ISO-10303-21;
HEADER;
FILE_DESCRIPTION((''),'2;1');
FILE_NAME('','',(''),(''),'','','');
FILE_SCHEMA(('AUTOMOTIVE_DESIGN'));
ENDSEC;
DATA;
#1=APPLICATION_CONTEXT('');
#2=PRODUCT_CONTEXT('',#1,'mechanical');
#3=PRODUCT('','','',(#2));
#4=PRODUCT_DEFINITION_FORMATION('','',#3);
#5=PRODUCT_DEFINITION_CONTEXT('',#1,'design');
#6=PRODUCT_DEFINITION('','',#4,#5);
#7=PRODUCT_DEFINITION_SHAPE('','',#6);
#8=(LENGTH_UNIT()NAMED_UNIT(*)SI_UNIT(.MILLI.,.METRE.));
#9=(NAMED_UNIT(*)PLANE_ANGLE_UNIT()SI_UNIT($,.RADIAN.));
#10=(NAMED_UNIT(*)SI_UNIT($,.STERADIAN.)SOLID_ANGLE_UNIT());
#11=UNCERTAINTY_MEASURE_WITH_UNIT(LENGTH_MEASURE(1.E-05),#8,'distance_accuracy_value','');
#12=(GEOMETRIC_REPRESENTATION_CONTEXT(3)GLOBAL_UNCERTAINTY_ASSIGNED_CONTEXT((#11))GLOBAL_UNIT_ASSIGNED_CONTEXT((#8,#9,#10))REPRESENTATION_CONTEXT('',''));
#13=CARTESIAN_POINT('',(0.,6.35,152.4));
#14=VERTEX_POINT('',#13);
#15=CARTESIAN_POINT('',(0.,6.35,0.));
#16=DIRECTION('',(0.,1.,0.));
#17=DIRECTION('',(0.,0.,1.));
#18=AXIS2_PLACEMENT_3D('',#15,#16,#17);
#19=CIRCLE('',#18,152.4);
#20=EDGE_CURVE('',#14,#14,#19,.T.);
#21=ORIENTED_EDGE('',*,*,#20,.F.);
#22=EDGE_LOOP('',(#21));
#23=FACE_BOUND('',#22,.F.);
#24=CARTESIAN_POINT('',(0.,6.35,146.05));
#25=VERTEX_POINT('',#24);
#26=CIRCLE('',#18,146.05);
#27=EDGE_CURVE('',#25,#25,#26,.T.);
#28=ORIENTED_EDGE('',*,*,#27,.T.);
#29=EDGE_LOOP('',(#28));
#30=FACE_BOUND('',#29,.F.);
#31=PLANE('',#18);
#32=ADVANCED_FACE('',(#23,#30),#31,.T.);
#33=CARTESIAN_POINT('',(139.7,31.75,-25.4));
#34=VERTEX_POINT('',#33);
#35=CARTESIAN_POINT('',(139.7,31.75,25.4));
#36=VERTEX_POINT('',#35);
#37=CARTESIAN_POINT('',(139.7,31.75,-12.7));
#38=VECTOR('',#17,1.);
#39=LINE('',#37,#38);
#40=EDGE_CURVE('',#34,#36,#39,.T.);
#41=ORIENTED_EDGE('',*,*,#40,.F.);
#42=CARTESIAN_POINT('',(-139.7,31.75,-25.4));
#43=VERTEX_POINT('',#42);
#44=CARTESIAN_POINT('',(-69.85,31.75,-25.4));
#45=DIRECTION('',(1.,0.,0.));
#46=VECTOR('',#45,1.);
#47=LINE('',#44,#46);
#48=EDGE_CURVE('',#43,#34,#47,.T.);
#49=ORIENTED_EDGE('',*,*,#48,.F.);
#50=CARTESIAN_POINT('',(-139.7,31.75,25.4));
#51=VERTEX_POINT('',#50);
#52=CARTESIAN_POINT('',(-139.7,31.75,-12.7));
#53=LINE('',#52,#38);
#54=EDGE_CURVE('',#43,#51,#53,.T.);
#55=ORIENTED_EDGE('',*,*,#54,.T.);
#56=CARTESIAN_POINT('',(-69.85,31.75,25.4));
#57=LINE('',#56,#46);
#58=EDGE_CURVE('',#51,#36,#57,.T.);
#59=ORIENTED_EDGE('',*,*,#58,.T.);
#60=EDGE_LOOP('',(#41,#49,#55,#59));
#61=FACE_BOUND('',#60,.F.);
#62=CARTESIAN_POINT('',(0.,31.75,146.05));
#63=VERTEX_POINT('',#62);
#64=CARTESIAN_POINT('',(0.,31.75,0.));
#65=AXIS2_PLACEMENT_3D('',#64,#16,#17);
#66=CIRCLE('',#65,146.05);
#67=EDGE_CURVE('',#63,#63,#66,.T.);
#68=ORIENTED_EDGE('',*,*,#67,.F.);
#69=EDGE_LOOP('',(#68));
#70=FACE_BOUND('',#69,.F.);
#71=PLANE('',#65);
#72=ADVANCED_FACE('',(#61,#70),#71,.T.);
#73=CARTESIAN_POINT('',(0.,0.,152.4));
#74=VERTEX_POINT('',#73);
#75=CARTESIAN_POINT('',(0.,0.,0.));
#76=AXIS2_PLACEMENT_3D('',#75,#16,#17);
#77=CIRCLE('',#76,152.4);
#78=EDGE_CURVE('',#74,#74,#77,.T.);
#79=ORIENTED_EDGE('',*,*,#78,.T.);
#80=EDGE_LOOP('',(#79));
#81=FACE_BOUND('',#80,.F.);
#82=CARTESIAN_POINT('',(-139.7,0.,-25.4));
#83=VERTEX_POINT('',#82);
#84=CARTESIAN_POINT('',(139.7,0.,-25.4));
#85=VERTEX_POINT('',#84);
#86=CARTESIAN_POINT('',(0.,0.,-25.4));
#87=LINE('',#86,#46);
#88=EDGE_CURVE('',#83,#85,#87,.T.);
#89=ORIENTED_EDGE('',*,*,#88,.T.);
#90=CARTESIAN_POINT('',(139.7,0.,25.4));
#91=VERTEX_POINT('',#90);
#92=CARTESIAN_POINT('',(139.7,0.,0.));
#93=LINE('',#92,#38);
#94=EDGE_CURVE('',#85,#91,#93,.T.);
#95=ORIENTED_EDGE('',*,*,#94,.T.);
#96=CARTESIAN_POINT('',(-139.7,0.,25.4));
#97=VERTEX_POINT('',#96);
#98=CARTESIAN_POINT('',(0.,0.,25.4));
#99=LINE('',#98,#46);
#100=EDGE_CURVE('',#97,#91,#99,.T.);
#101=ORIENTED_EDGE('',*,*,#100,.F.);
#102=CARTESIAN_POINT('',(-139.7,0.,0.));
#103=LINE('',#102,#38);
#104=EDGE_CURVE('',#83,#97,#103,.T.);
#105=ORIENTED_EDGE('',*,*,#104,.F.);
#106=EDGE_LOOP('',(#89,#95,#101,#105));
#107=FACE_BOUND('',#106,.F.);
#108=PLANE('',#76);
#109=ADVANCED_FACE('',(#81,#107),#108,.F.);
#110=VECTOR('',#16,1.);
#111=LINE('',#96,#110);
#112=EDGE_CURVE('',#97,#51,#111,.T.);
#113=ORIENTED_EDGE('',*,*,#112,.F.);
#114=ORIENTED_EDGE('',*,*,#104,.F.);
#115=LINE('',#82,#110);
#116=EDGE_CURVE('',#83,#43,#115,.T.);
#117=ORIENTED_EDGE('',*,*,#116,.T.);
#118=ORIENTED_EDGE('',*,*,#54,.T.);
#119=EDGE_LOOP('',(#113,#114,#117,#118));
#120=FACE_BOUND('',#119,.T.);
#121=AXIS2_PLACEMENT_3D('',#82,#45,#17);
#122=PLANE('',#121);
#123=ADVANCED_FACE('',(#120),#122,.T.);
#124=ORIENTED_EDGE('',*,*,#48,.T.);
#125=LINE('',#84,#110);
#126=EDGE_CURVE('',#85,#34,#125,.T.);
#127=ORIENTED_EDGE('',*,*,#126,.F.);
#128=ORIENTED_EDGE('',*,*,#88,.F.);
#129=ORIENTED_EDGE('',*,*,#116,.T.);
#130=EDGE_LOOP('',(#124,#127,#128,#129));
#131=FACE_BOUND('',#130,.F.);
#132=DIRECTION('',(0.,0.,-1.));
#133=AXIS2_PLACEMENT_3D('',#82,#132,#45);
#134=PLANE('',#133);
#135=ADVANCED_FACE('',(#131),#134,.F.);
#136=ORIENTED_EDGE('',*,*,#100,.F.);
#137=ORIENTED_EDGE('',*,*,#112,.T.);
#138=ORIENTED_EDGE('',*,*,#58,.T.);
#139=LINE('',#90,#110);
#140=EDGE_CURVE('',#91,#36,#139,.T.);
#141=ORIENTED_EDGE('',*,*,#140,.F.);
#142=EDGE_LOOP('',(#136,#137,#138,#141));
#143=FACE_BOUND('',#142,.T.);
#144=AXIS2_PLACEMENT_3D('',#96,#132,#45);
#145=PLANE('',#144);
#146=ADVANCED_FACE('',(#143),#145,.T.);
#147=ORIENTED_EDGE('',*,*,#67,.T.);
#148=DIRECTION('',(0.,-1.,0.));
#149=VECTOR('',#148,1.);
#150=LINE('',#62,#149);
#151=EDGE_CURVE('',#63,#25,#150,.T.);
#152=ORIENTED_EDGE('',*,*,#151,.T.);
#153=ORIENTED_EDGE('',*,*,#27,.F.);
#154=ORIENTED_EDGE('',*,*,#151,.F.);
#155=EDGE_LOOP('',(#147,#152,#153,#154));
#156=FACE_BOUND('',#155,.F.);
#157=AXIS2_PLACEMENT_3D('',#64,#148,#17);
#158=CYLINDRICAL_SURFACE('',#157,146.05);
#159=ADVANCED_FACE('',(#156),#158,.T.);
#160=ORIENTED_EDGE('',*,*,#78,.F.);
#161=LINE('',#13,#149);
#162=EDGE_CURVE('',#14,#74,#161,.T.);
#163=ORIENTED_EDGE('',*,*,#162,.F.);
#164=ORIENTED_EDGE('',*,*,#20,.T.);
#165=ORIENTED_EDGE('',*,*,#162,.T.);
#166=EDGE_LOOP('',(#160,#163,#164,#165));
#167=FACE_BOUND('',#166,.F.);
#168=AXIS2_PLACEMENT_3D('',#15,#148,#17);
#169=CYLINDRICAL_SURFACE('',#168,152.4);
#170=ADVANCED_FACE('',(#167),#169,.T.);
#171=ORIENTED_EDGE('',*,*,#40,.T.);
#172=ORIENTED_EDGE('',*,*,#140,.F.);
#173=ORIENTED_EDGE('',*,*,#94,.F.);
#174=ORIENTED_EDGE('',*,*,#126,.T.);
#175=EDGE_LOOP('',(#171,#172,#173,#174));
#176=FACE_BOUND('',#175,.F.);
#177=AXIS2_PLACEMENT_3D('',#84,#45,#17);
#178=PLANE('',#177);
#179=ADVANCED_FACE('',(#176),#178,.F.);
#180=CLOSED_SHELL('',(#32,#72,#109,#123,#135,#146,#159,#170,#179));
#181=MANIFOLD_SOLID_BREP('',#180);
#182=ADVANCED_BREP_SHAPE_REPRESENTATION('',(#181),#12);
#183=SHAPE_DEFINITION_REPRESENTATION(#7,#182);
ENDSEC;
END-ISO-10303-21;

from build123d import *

# Parameters (mm, degrees)
F2_W     = 279.4
F2_H     = 50.8
F3_DEPTH = 31.751


with BuildPart() as f1:
    # F0 (on Right) → F1 (revolve)
    with BuildSketch(Plane.YZ):
        Polygon((0, 152.4), (0, 0), (31.75, 0), (31.75, 146.05), (6.35, 146.05), (6.35, 152.4), align=None)
    revolve(axis=Axis((0, 59.051867, 0), (0, 1, 0)))

    # F2 (on face) → F3 (cut, through all)
    with BuildSketch(Plane.XZ):
        Rectangle(F2_W, F2_H)
    extrude(amount=-F3_DEPTH, mode=Mode.SUBTRACT)


solid = f1.part
